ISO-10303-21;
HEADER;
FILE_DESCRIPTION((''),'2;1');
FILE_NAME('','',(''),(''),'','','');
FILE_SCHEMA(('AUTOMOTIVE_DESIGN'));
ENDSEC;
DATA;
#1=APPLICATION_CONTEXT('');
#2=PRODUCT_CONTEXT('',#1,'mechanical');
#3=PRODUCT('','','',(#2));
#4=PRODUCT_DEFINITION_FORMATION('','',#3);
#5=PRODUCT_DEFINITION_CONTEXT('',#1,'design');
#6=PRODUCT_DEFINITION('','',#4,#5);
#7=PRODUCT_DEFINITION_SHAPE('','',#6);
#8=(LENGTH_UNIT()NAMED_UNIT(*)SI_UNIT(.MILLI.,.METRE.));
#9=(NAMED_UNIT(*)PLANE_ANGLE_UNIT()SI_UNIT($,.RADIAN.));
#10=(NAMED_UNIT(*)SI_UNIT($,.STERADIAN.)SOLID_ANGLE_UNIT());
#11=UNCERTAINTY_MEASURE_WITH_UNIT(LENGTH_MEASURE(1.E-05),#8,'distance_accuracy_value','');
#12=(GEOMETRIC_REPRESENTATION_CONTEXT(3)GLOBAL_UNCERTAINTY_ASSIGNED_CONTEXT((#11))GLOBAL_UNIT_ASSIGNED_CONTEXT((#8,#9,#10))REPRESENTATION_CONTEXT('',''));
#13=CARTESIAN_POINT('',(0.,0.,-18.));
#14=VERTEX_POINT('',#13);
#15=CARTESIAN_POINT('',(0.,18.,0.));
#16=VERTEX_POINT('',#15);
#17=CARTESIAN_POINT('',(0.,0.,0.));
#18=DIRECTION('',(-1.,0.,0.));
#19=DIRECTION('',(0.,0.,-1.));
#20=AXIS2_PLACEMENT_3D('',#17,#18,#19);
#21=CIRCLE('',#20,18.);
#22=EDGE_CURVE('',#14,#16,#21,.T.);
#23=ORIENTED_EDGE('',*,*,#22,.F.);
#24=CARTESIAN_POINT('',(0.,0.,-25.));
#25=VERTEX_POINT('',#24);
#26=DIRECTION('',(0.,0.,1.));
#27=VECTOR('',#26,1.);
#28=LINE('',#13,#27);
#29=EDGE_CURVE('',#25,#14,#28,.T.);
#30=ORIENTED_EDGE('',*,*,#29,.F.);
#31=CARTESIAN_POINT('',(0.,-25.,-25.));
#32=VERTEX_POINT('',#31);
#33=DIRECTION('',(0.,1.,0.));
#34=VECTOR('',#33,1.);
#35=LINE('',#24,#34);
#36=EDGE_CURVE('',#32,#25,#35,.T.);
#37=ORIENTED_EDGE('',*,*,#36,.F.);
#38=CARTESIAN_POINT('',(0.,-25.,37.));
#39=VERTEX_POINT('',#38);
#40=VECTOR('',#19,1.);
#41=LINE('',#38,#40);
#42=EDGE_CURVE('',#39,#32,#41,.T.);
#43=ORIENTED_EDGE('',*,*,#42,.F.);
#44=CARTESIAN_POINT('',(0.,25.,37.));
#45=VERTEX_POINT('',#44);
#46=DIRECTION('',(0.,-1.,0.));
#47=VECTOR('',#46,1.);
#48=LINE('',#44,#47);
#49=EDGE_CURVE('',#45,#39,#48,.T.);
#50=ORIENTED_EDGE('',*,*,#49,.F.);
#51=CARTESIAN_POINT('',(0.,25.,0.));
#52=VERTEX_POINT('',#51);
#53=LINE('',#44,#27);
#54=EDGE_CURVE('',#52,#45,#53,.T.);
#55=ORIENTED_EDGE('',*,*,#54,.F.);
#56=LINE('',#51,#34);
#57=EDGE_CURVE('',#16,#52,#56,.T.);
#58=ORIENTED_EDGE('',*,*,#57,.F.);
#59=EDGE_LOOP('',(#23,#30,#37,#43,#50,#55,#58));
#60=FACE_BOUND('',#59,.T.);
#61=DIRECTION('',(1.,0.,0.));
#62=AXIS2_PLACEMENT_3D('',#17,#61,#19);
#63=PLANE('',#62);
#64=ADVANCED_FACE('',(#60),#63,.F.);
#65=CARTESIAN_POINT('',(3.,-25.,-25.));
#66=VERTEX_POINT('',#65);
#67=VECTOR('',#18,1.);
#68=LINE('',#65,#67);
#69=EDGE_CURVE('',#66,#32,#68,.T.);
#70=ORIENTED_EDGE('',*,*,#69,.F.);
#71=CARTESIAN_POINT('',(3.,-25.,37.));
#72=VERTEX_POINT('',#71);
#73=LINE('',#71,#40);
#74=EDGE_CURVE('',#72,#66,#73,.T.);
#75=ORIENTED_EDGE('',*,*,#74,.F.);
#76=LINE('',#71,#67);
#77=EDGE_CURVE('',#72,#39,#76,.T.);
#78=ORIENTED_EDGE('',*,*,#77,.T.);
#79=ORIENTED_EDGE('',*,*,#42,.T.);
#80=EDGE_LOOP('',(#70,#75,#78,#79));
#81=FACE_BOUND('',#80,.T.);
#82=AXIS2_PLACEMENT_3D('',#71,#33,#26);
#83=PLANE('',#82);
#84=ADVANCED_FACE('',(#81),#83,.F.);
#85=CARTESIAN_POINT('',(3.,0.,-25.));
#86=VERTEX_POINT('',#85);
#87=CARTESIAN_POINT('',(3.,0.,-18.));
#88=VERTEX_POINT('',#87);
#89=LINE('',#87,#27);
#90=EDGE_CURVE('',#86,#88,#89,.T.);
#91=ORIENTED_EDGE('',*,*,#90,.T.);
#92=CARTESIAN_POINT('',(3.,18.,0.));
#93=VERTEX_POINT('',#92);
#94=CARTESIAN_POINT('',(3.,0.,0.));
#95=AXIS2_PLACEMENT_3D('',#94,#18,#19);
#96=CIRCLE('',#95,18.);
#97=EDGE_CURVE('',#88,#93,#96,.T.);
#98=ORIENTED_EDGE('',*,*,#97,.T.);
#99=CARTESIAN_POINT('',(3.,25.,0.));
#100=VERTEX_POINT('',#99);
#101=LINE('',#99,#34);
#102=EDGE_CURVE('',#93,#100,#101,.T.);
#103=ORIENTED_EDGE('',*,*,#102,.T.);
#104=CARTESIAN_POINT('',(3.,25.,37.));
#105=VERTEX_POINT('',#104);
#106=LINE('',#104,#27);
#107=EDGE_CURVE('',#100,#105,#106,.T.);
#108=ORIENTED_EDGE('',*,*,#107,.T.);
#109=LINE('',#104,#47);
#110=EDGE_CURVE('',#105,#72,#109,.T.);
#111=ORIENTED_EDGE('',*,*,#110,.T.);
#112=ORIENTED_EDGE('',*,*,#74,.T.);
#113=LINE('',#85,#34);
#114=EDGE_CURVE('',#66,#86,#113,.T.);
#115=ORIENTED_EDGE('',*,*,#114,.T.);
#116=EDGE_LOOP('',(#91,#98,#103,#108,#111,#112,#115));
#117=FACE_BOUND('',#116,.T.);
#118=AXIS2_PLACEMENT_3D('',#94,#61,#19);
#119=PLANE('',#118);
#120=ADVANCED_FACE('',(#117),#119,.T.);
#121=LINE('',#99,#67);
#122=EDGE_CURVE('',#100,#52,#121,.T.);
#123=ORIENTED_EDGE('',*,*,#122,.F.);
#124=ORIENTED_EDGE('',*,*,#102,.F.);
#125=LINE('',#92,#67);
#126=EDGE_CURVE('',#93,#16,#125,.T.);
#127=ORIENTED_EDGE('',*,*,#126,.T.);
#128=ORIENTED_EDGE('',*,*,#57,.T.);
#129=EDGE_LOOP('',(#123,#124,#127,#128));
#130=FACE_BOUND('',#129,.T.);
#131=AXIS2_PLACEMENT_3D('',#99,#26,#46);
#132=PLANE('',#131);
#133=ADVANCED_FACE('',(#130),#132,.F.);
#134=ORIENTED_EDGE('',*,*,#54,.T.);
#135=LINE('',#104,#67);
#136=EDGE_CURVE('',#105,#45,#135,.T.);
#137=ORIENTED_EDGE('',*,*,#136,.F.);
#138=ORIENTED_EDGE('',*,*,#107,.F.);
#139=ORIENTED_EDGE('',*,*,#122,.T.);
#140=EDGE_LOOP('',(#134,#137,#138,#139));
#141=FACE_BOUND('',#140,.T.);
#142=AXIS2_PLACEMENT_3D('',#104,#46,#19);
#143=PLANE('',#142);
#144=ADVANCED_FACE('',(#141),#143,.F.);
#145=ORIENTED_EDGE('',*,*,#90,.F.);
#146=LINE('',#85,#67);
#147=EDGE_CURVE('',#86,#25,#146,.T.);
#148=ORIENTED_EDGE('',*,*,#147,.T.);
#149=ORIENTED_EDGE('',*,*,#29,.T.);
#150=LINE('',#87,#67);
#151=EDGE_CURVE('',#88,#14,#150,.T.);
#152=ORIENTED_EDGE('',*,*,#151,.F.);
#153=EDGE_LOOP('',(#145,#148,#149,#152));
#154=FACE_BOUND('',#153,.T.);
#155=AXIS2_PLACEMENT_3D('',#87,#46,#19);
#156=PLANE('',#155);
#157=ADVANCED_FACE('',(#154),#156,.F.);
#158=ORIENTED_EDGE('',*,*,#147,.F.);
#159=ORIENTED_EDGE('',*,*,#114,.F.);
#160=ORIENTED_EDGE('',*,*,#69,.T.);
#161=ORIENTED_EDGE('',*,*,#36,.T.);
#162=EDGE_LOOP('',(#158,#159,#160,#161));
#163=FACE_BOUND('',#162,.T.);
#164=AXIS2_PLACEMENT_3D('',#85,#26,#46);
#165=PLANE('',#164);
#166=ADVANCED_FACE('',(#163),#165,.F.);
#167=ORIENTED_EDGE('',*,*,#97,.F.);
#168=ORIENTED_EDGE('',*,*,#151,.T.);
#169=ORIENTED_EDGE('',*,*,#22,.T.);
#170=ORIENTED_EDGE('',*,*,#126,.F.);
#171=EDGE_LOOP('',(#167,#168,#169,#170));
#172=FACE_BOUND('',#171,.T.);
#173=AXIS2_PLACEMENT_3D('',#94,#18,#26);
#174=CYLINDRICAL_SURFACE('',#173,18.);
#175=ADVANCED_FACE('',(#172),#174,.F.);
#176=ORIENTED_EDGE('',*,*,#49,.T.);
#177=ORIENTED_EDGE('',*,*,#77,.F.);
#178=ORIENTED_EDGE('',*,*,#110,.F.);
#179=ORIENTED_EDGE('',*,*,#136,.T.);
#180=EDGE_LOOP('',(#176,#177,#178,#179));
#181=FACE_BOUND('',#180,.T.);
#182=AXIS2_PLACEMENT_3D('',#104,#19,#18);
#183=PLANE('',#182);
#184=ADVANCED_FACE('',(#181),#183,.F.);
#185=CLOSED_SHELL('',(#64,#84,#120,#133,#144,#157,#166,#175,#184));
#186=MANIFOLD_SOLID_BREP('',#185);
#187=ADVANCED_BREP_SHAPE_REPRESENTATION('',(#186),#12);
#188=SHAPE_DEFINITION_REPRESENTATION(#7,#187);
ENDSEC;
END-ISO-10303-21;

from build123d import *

# Parameters (mm, degrees)
BOSS_EXTRUDE1_DEPTH = 3


with BuildPart() as part:
    # Sketch1 → Boss-Extrude1 (new body)
    with BuildSketch(Plane(origin=(0, 0, 0), x_dir=(0, 0, -1), z_dir=(1, 0, 0))):
        with BuildLine():
            Line((0, 25), (0, 18))
            ThreePointArc((0, 18), (-12.727922061, -12.727922061), (18, 0))
            Line((18, 0), (25, 0))
            Line((25, 0), (25, -25))
            Line((25, -25), (-37, -25))
            Line((-37, -25), (-37, 25))
            Line((-37, 25), (0, 25))
        make_face()
    extrude(amount=BOSS_EXTRUDE1_DEPTH)


solid = part.part
